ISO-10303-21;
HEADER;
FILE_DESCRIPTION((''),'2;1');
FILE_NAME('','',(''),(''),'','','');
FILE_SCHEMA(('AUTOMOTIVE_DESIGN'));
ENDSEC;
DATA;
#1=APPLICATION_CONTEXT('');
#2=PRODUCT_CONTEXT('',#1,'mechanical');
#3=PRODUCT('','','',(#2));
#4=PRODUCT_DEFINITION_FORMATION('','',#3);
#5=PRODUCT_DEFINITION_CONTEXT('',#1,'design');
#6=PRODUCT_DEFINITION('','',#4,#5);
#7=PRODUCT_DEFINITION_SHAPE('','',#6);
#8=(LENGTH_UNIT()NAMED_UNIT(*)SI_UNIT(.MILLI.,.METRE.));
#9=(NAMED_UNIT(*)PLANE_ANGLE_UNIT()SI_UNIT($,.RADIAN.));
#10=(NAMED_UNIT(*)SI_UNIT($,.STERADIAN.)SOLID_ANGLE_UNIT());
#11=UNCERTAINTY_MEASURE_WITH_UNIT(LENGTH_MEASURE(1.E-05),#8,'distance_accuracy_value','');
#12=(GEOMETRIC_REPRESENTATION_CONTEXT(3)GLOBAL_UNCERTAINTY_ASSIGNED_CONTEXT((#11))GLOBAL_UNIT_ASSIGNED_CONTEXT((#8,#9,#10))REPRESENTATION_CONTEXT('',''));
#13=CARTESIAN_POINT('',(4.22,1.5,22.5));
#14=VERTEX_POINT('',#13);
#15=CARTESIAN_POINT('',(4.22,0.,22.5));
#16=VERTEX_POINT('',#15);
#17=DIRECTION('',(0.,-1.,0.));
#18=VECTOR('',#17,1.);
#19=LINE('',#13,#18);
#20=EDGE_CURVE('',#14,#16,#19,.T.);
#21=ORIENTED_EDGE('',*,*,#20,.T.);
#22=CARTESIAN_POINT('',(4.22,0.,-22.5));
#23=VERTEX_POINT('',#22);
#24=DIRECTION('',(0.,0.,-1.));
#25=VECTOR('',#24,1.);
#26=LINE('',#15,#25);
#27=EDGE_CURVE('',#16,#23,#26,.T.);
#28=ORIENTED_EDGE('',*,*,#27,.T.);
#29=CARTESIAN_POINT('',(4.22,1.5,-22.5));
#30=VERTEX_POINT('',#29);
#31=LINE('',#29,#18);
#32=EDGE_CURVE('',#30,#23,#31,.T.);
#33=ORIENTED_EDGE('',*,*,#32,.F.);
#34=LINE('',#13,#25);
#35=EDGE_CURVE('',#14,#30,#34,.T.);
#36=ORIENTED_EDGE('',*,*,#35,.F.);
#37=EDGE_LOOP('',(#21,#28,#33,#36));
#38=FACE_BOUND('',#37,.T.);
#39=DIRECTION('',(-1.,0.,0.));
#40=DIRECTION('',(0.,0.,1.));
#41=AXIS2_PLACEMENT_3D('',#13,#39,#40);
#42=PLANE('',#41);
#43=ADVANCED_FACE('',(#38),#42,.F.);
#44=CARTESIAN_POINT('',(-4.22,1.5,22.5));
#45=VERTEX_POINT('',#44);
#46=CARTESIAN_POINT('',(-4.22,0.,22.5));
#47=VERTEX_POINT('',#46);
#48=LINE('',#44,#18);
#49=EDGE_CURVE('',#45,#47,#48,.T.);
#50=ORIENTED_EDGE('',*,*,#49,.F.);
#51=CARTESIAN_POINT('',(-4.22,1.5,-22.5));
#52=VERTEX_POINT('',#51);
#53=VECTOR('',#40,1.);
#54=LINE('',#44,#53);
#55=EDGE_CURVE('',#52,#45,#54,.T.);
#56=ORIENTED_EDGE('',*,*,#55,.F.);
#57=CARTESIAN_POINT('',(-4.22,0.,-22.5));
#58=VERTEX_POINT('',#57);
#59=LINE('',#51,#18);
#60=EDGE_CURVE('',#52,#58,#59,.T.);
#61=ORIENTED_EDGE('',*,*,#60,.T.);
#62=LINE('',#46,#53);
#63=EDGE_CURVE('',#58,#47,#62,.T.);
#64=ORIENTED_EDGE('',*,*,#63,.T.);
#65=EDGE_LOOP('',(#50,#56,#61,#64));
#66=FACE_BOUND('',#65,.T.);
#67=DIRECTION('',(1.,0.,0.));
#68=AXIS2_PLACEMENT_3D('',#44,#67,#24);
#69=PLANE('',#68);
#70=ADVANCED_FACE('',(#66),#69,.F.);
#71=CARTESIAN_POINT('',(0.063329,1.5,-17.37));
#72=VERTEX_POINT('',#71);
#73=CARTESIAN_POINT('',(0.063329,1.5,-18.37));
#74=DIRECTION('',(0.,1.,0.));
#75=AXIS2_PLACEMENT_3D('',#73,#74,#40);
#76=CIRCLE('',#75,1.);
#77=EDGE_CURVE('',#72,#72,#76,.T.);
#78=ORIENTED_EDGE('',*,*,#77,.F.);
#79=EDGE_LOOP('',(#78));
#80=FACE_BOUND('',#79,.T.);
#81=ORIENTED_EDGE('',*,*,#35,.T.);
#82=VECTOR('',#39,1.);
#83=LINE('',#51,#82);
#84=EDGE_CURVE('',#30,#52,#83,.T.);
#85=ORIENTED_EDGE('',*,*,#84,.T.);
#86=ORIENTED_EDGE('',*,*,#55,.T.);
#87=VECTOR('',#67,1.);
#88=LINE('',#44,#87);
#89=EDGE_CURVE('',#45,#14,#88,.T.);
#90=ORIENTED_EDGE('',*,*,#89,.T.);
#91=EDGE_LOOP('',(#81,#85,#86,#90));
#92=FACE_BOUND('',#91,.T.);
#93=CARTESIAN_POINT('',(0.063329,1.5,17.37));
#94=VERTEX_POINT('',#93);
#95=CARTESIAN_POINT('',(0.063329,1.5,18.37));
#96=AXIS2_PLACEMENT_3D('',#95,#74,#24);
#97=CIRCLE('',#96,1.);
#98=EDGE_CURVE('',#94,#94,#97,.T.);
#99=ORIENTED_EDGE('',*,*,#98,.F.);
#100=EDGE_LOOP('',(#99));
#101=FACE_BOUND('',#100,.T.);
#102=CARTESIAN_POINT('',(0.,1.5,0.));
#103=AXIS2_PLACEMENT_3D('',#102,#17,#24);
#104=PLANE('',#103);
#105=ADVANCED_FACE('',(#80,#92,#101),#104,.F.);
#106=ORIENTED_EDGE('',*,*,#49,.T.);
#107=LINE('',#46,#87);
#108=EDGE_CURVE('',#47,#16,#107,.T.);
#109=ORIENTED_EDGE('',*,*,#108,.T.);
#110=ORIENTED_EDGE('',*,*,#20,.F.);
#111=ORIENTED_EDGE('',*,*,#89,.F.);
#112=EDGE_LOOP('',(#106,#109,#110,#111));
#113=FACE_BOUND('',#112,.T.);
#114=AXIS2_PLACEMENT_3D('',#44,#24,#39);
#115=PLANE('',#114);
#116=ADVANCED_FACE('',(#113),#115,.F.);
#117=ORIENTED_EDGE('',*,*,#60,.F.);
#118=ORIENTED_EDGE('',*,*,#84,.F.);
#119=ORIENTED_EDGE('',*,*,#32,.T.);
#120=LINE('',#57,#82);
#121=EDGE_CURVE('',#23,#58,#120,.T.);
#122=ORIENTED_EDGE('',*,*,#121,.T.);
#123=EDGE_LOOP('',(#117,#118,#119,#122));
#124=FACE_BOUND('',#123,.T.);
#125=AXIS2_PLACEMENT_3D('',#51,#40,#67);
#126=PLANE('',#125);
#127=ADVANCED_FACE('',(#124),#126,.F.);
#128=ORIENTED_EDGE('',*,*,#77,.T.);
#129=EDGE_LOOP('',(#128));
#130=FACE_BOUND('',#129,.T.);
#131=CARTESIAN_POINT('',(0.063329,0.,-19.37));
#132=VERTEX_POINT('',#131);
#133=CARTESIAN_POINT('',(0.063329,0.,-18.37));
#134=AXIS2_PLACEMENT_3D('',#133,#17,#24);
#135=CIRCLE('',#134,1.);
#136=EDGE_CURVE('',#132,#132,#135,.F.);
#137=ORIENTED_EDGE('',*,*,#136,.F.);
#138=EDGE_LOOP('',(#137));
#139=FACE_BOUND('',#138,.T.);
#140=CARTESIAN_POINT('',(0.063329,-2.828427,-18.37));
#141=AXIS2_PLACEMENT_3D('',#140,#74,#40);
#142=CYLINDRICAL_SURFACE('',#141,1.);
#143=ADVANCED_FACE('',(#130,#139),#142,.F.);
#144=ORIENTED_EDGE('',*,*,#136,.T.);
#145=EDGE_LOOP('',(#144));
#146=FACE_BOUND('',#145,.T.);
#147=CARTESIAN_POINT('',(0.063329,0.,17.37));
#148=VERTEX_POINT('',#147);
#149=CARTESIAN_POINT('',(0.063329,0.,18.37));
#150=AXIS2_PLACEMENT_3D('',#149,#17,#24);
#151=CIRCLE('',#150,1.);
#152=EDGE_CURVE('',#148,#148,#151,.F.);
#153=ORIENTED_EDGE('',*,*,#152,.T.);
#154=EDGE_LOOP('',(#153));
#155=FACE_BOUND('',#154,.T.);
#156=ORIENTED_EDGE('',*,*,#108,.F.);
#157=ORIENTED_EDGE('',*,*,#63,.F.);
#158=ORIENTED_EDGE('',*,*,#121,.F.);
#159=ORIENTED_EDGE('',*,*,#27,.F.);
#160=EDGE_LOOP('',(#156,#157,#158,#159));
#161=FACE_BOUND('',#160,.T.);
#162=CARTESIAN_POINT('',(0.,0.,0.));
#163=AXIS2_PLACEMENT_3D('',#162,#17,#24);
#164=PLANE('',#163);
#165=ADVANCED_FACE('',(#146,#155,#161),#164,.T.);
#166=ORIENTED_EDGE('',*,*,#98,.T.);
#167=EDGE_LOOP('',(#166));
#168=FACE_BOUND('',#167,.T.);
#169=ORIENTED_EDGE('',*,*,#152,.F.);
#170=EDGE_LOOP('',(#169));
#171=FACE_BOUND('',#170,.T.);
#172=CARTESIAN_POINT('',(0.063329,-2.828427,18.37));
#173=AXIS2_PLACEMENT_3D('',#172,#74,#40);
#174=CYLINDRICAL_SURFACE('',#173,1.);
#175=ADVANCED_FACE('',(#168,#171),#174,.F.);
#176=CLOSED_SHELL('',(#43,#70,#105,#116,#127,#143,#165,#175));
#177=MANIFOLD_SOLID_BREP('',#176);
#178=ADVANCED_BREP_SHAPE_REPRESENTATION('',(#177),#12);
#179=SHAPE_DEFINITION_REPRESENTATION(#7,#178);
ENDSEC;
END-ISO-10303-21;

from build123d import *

# Parameters (mm, degrees)
SCHIZZO1_W                   = 8.44
SCHIZZO1_H                   = 45
ESTRUSIONE_ESTRUSIONE1_DEPTH = 1.5
SCHIZZO2_R                   = 1
TAGLIO_ESTRUSIONE1_DEPTH     = 1.5


with BuildPart() as part:
    # Schizzo1 → Estrusione-Estrusione1 (new body)
    with BuildSketch(Plane(origin=(0, 0, 0), x_dir=(1, 0, 0), z_dir=(0, 1, 0))):
        Rectangle(SCHIZZO1_W, SCHIZZO1_H)
    extrude(amount=ESTRUSIONE_ESTRUSIONE1_DEPTH)

    # Schizzo2 → Taglio-Estrusione1 (cut)
    with BuildSketch(Plane(origin=(0, 1.5, 0), x_dir=(1, 0, 0), z_dir=(0, 1, 0))):
        with Locations(Location((0.063328702, 18.37, 0), (0, 0, 270))):
            Circle(SCHIZZO2_R)
        with Locations(Location((0.063328702, -18.37, 0), (0, 0, 90))):
            Circle(SCHIZZO2_R)
    extrude(amount=-TAGLIO_ESTRUSIONE1_DEPTH, mode=Mode.SUBTRACT)


solid = part.part
